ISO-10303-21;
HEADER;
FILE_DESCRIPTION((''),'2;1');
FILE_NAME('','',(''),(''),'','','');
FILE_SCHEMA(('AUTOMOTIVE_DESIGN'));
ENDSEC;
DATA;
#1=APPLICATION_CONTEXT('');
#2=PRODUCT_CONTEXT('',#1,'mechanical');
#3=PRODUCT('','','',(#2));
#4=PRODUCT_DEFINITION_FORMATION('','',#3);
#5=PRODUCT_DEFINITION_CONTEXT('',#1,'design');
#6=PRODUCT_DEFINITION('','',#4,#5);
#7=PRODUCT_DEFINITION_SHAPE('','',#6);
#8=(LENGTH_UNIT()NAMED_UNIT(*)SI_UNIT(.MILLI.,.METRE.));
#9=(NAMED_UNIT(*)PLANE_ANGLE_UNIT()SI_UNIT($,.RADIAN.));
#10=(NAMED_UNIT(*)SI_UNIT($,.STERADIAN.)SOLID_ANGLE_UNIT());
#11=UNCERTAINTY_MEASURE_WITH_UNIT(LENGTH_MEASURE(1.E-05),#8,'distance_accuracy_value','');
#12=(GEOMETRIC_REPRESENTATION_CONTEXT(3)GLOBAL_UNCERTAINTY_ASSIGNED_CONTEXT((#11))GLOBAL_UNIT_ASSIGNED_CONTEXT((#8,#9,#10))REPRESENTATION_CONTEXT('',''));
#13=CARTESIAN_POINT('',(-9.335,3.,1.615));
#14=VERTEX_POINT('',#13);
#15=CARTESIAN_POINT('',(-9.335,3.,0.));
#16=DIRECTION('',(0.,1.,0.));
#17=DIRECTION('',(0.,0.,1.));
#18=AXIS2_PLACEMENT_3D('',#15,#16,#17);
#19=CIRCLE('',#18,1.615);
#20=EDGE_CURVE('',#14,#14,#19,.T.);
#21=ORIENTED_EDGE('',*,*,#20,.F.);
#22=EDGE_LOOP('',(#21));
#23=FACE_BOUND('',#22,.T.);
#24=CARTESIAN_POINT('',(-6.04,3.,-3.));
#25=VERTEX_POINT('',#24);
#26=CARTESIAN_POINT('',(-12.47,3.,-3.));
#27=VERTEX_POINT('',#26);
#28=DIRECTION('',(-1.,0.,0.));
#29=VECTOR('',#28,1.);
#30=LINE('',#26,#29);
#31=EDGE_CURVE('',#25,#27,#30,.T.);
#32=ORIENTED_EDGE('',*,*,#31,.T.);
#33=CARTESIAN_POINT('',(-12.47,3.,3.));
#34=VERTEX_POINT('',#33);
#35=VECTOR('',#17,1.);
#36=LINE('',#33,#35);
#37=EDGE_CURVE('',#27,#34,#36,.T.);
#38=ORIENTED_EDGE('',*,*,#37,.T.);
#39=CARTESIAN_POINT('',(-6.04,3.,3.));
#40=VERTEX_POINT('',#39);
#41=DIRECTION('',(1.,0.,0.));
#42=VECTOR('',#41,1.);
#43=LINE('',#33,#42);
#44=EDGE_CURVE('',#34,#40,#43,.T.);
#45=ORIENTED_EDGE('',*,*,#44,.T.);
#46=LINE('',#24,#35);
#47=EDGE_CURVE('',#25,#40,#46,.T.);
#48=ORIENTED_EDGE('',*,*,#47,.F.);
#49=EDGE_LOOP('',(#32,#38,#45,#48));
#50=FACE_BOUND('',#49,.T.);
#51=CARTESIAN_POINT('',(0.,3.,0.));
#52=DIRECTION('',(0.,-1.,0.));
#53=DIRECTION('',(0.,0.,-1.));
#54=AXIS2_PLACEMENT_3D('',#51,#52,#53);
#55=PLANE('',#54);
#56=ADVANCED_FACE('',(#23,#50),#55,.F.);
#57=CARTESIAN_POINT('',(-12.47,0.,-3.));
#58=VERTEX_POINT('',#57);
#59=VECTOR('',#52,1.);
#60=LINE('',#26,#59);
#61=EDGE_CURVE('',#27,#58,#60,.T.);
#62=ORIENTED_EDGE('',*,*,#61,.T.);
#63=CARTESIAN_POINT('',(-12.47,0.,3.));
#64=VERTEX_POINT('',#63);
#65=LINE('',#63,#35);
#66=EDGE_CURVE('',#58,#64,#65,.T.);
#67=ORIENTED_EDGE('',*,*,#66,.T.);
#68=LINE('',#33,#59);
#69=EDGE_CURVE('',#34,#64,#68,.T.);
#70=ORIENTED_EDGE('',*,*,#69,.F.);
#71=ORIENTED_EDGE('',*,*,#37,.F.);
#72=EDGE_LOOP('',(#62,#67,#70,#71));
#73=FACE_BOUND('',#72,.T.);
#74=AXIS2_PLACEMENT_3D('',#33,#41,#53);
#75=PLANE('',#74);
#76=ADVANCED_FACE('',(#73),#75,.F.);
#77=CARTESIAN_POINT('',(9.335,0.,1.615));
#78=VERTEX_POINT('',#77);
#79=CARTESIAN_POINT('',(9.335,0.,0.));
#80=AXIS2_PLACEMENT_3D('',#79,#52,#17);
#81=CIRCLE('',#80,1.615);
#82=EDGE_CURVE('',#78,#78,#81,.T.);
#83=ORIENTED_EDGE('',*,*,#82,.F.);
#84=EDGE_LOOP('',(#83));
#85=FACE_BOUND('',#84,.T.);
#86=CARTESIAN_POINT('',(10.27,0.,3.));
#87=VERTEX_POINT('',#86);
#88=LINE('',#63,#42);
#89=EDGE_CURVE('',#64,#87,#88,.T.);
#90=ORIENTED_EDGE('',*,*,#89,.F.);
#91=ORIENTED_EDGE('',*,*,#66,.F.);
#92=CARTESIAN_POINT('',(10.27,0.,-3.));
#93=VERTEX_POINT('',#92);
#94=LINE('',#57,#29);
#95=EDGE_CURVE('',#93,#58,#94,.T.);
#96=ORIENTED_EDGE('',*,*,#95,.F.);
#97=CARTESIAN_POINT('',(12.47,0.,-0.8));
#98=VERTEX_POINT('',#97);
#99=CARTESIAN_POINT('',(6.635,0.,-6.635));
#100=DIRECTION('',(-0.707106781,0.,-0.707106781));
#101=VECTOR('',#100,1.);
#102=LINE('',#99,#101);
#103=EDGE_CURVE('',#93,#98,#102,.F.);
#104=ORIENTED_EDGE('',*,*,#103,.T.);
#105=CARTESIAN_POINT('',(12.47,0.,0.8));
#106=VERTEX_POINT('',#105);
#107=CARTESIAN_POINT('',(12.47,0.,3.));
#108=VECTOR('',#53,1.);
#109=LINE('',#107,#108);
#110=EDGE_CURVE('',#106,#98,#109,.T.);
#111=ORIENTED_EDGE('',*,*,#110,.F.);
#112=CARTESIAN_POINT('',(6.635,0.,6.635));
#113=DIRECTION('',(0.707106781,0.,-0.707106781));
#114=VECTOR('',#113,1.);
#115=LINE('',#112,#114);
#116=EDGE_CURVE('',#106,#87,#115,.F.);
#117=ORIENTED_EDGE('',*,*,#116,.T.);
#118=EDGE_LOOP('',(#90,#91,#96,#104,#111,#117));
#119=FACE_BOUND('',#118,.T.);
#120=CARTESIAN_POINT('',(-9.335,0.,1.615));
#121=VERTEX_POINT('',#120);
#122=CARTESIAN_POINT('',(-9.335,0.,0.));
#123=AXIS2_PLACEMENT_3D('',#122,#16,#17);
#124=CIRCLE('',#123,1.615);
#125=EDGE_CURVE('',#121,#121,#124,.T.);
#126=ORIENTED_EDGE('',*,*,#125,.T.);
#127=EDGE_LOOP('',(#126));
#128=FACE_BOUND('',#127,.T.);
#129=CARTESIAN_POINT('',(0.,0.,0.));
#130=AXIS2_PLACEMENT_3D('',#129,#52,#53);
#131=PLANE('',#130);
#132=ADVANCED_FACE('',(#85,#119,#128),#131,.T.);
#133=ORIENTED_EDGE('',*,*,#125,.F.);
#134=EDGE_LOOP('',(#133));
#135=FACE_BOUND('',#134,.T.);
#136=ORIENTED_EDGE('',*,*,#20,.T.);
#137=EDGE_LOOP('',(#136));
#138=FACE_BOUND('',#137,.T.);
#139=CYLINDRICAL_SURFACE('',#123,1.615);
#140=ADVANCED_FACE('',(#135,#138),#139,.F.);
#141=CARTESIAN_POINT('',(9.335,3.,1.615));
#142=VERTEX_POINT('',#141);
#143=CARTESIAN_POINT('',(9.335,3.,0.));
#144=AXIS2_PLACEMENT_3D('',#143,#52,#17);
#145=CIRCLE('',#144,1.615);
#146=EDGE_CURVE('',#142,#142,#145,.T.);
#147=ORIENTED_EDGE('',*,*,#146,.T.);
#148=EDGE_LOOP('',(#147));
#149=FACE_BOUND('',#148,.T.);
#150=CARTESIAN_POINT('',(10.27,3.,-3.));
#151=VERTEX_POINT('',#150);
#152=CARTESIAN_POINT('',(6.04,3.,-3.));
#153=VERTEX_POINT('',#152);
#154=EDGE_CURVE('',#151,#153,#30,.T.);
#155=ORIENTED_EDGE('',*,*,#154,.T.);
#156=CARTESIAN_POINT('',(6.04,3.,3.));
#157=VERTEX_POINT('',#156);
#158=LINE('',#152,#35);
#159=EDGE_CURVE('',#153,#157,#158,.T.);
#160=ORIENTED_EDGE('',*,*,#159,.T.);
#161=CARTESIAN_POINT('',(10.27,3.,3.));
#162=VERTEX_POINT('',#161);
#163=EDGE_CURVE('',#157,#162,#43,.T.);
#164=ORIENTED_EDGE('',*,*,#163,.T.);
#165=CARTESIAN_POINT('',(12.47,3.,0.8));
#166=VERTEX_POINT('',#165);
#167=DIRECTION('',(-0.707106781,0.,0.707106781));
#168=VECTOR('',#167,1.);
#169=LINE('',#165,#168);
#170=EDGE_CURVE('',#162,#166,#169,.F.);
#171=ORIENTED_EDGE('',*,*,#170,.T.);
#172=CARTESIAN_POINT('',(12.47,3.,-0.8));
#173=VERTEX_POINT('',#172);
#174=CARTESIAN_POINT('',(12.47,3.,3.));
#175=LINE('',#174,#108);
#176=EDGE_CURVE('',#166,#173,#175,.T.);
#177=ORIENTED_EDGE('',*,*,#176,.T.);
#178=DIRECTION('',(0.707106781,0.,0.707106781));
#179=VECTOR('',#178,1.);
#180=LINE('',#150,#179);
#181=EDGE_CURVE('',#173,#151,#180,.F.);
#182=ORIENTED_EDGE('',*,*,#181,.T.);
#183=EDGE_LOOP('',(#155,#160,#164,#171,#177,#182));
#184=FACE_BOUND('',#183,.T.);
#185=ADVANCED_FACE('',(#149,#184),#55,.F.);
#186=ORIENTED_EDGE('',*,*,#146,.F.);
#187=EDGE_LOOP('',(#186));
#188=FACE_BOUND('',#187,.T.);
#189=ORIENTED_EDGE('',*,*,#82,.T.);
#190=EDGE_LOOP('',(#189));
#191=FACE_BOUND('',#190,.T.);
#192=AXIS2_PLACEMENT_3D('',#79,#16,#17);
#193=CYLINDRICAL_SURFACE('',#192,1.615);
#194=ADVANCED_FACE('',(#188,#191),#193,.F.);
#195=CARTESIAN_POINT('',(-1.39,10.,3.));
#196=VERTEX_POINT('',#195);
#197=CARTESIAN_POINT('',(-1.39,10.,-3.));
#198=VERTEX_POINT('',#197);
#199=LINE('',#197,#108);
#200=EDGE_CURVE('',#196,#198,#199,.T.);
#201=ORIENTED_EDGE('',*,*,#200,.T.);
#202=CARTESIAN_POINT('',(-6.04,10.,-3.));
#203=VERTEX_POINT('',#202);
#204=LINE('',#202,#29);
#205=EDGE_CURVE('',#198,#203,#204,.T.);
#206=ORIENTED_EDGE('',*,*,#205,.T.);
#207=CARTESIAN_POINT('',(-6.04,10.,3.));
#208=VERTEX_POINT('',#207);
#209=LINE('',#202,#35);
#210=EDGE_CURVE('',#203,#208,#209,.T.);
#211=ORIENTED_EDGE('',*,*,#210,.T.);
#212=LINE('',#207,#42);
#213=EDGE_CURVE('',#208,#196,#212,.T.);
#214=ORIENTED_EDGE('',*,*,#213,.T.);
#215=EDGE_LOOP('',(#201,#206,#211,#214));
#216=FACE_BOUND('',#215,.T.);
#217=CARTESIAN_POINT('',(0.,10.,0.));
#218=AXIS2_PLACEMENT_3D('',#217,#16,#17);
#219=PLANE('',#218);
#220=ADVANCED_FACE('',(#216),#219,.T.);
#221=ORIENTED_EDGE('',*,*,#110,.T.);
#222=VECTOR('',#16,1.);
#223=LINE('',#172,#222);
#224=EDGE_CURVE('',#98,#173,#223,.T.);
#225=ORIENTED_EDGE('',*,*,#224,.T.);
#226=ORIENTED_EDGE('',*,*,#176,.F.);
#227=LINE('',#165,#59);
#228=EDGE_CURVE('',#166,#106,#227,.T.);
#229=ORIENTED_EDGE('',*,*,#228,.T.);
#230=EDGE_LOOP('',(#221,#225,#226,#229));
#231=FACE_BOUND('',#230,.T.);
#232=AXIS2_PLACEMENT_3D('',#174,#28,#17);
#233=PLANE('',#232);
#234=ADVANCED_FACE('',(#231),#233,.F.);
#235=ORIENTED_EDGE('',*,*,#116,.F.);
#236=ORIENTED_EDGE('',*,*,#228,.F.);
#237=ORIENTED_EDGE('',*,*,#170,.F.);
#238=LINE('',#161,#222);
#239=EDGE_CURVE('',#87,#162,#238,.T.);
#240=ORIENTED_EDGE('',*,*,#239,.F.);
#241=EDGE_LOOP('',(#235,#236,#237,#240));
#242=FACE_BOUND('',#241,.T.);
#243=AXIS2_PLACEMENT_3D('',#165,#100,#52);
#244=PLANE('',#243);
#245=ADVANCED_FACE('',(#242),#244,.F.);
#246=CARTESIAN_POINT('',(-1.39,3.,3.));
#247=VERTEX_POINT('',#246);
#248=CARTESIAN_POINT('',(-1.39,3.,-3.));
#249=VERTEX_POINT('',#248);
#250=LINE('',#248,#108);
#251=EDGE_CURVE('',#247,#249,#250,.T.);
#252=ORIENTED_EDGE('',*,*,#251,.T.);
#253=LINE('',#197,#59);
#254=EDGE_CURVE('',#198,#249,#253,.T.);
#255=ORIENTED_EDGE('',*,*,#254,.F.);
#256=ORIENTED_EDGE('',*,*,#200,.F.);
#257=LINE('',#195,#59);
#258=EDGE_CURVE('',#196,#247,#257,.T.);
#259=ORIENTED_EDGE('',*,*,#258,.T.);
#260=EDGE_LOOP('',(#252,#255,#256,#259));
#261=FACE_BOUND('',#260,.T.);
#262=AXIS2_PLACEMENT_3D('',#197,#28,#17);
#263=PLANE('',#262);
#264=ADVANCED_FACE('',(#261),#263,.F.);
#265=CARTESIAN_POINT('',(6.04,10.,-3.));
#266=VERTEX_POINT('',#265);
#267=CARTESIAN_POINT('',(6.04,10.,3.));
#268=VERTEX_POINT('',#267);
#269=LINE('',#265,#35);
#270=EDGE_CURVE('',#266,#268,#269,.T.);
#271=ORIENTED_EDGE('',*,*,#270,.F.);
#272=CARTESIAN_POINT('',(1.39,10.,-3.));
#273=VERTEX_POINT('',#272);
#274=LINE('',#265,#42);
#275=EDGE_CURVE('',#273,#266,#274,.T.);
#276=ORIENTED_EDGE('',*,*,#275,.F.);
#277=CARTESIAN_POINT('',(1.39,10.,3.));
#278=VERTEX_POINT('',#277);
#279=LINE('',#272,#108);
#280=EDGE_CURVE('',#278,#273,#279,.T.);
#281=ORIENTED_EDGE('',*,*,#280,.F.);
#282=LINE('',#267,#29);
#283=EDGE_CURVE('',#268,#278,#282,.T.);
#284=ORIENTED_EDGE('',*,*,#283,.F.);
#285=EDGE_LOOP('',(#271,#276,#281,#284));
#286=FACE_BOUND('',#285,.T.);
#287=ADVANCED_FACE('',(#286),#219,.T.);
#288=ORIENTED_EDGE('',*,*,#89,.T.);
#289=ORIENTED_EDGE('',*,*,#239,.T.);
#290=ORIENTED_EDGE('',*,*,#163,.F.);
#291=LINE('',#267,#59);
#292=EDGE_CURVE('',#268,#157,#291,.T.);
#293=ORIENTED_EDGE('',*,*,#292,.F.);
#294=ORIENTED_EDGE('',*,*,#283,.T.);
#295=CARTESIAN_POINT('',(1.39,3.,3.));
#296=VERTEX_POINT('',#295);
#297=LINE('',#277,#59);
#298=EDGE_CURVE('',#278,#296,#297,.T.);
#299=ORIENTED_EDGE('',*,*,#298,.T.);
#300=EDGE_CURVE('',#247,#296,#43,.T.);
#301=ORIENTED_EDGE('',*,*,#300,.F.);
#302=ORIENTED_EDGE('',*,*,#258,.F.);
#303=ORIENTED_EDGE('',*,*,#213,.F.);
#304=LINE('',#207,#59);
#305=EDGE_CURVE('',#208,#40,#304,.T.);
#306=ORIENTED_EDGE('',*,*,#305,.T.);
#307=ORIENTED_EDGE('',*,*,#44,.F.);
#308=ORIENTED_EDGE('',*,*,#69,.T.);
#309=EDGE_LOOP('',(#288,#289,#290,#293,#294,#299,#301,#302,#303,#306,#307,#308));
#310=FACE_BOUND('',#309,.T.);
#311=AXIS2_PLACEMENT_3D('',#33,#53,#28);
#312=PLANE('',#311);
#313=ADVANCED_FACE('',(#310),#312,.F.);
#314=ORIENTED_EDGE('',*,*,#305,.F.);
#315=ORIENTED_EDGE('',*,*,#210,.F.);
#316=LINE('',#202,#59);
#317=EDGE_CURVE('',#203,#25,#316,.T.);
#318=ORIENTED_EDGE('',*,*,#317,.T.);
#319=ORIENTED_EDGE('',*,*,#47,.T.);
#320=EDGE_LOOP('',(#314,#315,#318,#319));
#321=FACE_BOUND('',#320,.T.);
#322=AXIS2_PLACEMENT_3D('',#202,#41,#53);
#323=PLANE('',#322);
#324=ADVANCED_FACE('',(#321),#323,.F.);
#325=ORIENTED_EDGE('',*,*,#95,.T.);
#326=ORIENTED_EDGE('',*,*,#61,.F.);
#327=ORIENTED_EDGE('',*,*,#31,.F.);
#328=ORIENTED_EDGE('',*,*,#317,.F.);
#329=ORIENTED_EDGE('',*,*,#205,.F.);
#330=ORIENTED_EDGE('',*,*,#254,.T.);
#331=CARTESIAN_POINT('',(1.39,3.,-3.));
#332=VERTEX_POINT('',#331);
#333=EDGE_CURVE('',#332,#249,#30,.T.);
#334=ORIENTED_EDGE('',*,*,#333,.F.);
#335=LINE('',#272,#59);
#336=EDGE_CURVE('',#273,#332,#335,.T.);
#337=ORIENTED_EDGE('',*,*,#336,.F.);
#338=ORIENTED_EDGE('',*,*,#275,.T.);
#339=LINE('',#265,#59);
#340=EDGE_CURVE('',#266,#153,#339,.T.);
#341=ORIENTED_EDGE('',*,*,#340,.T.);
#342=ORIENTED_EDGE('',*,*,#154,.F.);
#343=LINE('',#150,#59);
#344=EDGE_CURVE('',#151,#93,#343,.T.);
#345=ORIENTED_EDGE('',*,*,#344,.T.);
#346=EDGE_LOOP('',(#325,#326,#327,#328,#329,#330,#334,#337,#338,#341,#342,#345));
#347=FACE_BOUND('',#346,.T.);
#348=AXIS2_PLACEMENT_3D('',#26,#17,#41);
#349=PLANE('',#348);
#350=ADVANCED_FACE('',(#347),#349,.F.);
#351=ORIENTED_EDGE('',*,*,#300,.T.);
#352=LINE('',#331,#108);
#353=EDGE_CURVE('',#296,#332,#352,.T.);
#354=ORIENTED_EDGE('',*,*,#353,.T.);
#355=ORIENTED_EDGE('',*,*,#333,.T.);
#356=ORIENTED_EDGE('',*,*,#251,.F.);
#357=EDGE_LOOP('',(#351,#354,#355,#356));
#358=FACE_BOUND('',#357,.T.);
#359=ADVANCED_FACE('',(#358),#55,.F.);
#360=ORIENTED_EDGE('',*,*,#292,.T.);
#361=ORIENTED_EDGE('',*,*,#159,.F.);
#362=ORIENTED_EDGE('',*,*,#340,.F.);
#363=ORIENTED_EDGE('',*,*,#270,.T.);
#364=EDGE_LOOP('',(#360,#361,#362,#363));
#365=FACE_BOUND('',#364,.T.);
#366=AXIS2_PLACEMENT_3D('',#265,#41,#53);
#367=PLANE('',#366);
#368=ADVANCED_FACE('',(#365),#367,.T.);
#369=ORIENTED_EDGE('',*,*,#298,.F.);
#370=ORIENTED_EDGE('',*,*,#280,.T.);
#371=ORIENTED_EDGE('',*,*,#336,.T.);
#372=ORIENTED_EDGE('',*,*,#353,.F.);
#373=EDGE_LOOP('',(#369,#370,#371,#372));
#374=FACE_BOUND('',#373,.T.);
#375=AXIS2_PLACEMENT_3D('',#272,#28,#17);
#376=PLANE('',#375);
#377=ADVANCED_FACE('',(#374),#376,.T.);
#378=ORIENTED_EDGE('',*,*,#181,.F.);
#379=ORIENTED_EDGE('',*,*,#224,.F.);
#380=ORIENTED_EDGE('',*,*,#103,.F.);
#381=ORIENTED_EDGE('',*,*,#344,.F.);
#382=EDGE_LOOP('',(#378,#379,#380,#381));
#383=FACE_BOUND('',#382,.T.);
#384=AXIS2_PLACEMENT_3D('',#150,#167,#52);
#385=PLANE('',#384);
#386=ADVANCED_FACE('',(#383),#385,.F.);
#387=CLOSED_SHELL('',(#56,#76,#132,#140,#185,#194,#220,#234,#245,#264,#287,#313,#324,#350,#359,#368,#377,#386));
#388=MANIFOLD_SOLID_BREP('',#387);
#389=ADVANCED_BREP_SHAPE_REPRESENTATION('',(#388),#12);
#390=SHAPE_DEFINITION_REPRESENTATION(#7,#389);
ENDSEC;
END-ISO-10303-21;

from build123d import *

# Parameters (mm, degrees)
SKETCH1_W           = 24.94
SKETCH1_H           = 6
BOSS_EXTRUDE1_DEPTH = 3
SKETCH2_W           = 4.65
SKETCH2_H           = 6
BOSS_EXTRUDE2_DEPTH = 7
SKETCH3_R           = 1.615
CUT_EXTRUDE1_DEPTH  = 4
CHAMFER2_SIZE       = 2.2


with BuildPart() as part:
    # Sketch1 → Boss-Extrude1 (new body)
    with BuildSketch(Plane(origin=(0, 0, 0), x_dir=(1, 0, 0), z_dir=(0, 1, 0))):
        Rectangle(SKETCH1_W, SKETCH1_H)
    extrude(amount=BOSS_EXTRUDE1_DEPTH)

    # Sketch2 → Boss-Extrude2 (add)
    with BuildSketch(Plane(origin=(0, 3, 0), x_dir=(1, 0, 0), z_dir=(0, 1, 0))):
        with Locations((-3.715, 0)):
            Rectangle(SKETCH2_W, SKETCH2_H)
    boss_extrude2 = extrude(amount=BOSS_EXTRUDE2_DEPTH)

    # Sketch3 → Cut-Extrude1 (cut, through all)
    with BuildSketch(Plane(origin=(0, 3, 0), x_dir=(1, 0, 0), z_dir=(0, 1, 0))):
        with Locations((-9.335, 0)):
            Circle(SKETCH3_R)
    cut_extrude1 = extrude(amount=-CUT_EXTRUDE1_DEPTH, mode=Mode.SUBTRACT)

    # Mirror1: Boss-Extrude2, Cut-Extrude1 across plane
    add(boss_extrude2.mirror(Plane(origin=(0, 0, 0), x_dir=(0, 0, 1), z_dir=(1, 0, 0))))
    add(cut_extrude1.mirror(Plane(origin=(0, 0, 0), x_dir=(0, 0, 1), z_dir=(1, 0, 0))), mode=Mode.SUBTRACT)

    # Chamfer2
    chamfer2_edges = [part.edges().sort_by_distance(p)[0] for p in [
        (12.47, 1.5, 3),
        (12.47, 1.5, -3),
    ]]
    chamfer(chamfer2_edges, length=CHAMFER2_SIZE)


solid = part.part
